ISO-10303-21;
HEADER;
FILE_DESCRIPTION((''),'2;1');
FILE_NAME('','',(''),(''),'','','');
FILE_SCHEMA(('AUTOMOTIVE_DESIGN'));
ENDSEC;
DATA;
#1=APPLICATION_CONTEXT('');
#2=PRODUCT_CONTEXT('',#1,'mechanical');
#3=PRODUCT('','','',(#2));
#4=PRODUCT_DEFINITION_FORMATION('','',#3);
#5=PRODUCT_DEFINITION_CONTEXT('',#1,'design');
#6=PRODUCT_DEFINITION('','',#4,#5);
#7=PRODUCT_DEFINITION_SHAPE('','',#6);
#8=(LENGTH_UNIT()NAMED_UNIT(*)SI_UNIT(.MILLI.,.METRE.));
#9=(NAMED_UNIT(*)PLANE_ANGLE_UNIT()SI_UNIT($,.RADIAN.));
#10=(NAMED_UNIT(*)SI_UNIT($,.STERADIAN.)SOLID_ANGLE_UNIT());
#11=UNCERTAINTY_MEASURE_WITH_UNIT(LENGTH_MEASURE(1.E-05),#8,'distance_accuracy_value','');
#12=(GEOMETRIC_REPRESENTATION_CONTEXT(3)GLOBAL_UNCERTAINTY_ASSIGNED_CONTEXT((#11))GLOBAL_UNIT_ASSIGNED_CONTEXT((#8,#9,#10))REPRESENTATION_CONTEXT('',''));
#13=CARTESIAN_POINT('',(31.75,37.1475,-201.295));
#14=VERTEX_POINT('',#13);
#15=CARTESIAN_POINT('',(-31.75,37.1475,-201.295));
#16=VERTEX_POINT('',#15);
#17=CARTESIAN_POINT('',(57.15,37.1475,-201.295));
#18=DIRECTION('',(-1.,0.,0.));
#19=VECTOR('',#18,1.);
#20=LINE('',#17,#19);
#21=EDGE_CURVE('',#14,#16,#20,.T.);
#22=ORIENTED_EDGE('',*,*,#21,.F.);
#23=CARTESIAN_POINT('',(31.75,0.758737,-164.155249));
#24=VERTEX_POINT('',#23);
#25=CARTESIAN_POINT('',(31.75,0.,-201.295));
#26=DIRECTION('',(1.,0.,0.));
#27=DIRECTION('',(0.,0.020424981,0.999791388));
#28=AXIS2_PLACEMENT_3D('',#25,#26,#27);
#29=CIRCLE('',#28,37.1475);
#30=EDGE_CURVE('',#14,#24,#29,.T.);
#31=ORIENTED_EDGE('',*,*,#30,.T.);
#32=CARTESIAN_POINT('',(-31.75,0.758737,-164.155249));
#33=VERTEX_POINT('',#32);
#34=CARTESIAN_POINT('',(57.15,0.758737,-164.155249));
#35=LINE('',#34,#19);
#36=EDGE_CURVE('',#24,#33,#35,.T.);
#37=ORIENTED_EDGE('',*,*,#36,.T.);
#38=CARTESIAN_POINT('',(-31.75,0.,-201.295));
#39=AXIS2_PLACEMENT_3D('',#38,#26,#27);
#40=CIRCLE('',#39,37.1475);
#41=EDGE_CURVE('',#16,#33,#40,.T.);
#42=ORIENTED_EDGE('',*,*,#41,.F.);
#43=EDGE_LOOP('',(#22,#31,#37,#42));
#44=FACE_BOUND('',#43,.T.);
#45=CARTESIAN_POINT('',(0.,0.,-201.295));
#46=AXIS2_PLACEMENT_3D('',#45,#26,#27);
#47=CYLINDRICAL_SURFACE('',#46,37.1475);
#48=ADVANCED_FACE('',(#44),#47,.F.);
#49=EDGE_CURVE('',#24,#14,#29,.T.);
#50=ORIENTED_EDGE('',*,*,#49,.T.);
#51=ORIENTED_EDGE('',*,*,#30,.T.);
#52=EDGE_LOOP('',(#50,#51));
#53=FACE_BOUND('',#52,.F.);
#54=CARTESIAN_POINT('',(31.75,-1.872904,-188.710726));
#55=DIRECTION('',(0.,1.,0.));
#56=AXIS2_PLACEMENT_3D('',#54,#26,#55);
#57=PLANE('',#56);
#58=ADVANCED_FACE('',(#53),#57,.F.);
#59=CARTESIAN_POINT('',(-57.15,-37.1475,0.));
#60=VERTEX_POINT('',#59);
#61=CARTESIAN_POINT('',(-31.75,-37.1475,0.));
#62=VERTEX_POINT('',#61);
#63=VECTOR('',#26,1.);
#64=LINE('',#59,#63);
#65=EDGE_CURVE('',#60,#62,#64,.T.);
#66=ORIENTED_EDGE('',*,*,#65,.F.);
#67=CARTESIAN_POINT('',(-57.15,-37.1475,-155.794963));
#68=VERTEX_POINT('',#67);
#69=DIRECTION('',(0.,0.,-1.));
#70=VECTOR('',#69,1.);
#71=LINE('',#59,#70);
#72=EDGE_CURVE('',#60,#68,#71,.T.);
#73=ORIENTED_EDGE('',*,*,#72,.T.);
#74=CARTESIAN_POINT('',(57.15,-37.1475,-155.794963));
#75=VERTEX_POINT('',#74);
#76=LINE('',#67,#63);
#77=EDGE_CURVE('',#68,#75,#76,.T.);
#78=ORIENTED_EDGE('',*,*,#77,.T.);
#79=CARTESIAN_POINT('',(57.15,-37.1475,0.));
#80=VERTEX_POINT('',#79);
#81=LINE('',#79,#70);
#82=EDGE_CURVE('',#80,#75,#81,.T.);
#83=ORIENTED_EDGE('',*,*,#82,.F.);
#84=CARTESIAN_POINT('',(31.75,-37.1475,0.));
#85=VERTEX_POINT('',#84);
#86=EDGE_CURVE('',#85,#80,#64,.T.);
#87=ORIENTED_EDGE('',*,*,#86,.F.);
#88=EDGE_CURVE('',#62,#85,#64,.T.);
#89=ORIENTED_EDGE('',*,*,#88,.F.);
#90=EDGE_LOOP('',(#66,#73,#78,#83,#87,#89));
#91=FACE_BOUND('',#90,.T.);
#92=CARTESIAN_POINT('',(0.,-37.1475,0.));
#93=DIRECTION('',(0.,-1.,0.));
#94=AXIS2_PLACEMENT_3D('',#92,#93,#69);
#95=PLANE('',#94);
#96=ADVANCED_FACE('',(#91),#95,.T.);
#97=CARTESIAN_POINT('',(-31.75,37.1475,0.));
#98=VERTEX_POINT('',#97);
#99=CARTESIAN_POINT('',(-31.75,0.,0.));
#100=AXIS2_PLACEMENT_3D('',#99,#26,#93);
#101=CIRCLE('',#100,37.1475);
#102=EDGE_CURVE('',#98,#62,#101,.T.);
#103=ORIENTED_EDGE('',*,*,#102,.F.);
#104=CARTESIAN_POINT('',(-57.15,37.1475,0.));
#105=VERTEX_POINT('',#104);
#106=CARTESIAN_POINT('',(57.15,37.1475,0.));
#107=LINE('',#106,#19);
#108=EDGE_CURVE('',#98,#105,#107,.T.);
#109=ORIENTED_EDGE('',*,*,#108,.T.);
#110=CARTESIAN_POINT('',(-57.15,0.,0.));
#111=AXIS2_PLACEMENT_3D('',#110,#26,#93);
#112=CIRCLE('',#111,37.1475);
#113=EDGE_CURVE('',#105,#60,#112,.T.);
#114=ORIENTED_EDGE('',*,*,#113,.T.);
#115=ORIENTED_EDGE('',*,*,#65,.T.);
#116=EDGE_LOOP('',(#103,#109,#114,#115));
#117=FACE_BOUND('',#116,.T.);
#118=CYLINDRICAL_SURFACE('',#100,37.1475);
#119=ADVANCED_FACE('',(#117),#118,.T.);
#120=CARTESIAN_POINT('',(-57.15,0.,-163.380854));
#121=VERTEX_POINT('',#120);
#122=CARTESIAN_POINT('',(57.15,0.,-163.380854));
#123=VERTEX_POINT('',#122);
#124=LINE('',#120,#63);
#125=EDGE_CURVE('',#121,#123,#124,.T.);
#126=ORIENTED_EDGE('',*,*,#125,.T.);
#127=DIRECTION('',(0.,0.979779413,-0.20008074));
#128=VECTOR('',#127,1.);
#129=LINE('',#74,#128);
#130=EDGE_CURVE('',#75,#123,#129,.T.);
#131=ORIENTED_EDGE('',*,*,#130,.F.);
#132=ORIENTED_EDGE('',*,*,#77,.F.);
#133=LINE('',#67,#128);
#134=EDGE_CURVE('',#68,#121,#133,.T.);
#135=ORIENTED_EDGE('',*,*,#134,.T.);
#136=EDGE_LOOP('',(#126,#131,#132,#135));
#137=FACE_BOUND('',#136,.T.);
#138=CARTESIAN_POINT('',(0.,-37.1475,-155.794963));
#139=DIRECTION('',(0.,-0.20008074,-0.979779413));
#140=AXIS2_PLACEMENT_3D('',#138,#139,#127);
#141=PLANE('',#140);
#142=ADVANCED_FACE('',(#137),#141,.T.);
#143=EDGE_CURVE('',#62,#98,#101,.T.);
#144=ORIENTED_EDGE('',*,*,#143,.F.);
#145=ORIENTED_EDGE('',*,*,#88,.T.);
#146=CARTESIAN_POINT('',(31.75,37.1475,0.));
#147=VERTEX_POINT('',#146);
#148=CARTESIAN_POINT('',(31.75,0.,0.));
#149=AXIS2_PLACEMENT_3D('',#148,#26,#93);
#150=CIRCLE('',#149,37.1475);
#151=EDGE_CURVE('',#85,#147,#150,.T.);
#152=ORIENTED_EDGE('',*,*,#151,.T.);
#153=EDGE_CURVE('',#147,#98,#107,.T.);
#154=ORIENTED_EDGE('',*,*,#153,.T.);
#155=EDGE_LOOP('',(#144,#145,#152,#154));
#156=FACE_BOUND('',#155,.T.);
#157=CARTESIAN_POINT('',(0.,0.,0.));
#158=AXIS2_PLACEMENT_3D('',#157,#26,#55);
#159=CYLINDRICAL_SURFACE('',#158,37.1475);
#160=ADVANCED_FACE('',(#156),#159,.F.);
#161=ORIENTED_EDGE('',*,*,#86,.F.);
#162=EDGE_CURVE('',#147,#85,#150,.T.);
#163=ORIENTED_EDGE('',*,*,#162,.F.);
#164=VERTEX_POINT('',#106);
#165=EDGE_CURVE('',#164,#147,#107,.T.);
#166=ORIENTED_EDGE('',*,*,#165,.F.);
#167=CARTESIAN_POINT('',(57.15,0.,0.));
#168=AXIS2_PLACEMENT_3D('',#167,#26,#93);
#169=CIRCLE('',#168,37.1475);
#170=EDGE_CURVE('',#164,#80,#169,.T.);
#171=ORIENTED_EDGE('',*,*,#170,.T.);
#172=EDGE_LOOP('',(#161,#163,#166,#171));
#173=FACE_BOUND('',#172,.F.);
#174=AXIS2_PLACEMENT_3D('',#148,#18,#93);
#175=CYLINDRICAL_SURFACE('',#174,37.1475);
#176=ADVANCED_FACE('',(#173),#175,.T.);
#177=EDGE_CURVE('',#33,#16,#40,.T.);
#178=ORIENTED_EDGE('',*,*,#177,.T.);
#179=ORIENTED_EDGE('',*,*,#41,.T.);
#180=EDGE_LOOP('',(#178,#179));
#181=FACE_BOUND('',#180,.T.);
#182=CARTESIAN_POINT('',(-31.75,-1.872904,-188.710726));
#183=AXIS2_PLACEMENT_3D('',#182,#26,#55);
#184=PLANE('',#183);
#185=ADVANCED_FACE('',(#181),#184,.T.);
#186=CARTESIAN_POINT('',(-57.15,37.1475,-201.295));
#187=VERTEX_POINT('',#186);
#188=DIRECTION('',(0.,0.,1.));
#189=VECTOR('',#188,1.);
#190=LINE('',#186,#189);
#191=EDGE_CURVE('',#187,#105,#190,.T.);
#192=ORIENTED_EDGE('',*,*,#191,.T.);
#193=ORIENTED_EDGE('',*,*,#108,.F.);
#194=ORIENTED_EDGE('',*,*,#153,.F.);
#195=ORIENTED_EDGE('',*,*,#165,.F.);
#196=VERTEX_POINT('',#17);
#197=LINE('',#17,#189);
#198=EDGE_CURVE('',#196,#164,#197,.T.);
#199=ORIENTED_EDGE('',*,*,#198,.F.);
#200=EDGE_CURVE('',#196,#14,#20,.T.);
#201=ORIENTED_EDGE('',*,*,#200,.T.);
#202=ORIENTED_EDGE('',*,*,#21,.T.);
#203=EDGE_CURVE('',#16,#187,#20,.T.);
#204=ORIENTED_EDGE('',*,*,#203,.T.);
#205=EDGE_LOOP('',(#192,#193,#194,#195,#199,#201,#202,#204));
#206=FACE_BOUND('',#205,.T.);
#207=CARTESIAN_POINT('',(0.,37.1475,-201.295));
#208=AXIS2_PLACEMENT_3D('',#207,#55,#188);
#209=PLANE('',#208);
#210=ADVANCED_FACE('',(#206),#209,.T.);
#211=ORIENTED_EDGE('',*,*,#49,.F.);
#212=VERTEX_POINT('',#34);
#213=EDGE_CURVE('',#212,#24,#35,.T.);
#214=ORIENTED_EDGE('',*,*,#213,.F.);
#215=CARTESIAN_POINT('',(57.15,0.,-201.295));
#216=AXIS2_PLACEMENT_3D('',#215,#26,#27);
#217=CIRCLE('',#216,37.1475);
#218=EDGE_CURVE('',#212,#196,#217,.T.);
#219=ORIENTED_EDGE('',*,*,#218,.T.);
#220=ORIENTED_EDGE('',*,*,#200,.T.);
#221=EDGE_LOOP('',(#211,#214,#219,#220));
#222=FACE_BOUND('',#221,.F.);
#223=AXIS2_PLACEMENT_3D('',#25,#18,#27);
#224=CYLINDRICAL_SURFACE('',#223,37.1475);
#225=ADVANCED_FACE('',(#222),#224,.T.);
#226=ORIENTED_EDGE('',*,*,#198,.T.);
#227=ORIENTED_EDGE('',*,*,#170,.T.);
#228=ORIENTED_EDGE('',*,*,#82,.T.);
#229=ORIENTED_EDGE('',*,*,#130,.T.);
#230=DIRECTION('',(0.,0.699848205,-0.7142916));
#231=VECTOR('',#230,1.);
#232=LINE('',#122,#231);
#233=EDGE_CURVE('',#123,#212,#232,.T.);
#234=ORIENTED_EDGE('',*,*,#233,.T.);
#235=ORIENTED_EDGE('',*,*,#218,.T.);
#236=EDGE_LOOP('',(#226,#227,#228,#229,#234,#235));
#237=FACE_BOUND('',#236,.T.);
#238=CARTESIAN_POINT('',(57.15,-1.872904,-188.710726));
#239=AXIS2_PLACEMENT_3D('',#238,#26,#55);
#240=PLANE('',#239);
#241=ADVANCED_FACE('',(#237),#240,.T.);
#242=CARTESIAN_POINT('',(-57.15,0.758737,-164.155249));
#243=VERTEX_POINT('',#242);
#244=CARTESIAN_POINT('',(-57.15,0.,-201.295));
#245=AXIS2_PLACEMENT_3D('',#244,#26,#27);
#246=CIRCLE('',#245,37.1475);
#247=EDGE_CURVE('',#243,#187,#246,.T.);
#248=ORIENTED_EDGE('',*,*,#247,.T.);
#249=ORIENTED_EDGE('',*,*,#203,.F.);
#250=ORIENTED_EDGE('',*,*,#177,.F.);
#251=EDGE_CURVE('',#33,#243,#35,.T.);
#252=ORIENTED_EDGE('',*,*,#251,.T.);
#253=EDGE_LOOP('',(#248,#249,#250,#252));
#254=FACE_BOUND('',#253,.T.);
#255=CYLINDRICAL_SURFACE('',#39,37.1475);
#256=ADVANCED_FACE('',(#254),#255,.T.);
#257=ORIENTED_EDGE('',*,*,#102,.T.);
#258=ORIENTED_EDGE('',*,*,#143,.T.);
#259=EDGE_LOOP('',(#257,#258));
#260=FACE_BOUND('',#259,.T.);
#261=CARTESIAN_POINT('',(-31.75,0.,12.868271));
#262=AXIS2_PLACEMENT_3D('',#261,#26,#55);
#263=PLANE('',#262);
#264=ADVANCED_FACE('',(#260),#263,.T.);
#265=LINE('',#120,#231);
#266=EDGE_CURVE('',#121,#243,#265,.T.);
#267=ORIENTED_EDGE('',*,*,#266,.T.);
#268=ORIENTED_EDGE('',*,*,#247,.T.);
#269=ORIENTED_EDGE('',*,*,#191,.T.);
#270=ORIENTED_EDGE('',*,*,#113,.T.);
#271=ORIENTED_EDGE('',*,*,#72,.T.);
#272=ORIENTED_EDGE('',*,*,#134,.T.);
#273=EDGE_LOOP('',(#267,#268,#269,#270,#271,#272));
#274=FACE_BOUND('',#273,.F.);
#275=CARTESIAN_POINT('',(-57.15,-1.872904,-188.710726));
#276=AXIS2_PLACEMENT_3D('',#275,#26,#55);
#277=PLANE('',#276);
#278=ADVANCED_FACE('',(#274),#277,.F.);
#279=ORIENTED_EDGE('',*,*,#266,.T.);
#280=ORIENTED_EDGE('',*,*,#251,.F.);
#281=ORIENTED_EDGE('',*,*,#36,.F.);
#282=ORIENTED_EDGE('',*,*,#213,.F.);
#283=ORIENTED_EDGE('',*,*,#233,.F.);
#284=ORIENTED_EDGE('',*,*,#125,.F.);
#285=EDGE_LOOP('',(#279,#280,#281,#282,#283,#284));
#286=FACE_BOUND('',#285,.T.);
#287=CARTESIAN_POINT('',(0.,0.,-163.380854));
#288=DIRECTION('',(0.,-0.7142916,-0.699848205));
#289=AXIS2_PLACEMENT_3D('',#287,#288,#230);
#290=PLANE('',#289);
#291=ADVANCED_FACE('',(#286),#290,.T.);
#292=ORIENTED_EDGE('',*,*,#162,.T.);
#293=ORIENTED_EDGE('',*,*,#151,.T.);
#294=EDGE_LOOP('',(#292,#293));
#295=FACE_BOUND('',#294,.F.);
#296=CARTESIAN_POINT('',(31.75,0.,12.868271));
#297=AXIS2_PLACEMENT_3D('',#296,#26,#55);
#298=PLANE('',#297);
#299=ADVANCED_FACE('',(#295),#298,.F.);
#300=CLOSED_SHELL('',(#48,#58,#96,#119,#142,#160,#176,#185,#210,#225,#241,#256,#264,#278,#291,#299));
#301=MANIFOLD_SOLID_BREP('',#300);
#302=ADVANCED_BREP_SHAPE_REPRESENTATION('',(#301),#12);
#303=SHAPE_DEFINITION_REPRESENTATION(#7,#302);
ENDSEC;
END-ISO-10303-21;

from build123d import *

# Parameters (mm, degrees)
F1_DEPTH = 57.15
F2_START = 31.75
F2_DEPTH = 25.4
F3_START = -31.75
F3_DEPTH = 25.4
F4_START = 31.75
F4_DEPTH = 25.4
F5_START = -31.75
F5_DEPTH = 25.4


with BuildPart() as f1:
    # F0 (on Right) → F1 (new body, symmetric)
    with BuildSketch(Plane.YZ):
        with BuildLine():
            Line((37.1475, -74.295), (37.1475, 0))
            ThreePointArc((37.1475, 0), (0, -37.1475), (-37.1475, 0))
            Line((-37.1475, 0), (-37.1475, -74.295))
            Line((-37.1475, -74.295), (37.1475, -74.295))
        make_face()
        with BuildLine():
            Line((37.1475, -201.295), (37.1475, -74.295))
            Line((37.1475, -74.295), (-37.1475, -74.295))
            Line((-37.1475, -74.295), (-37.1475, -155.7949632406))
            Line((-37.1475, -155.7949632406), (0, -163.3808536928))
            Line((0, -163.3808536928), (0.7587369735, -164.1552494024))
            ThreePointArc((0.7587369735, -164.1552494024), (26.5341472255, -175.2973888162), (37.1475, -201.295))
        make_face()
    extrude(amount=F1_DEPTH, both=True)

    # F0 (on Right) → F2 (join)
    with BuildSketch(Plane.YZ.offset(F2_START)):
        with BuildLine():
            Line((-37.1475, 0), (37.1475, 0))
            ThreePointArc((37.1475, 0), (0, 37.1475), (-37.1475, 0))
        make_face()
        with BuildLine():
            ThreePointArc((-37.1475, 0), (0, -37.1475), (37.1475, 0))
            Line((37.1475, 0), (-37.1475, 0))
        make_face()
    extrude(amount=F2_DEPTH)

    # F0 (on Right) → F3 (join)
    with BuildSketch(Plane.YZ.offset(F3_START)):
        with BuildLine():
            Line((-37.1475, 0), (37.1475, 0))
            ThreePointArc((37.1475, 0), (0, 37.1475), (-37.1475, 0))
        make_face()
        with BuildLine():
            ThreePointArc((-37.1475, 0), (0, -37.1475), (37.1475, 0))
            Line((37.1475, 0), (-37.1475, 0))
        make_face()
    extrude(amount=-F3_DEPTH)

    # F0 (on Right) → F4 (join)
    with BuildSketch(Plane.YZ.offset(F4_START)):
        with BuildLine():
            Line((-37.1475, -201.295), (37.1475, -201.295))
            Line((37.1475, -201.295), (0.7587369735, -164.1552494024))
            ThreePointArc((0.7587369735, -164.1552494024), (-25.9976111838, -174.7608527745), (-37.1475, -201.295))
        make_face()
        with BuildLine():
            ThreePointArc((-37.1475, -201.295), (0, -238.4425), (37.1475, -201.295))
            Line((37.1475, -201.295), (-37.1475, -201.295))
        make_face()
        with BuildLine():
            Line((0.7587369735, -164.1552494024), (37.1475, -201.295))
            ThreePointArc((37.1475, -201.295), (26.5341472255, -175.2973888162), (0.7587369735, -164.1552494024))
        make_face()
    extrude(amount=F4_DEPTH)

    # F0 (on Right) → F5 (join)
    with BuildSketch(Plane.YZ.offset(F5_START)):
        with BuildLine():
            Line((-37.1475, -201.295), (37.1475, -201.295))
            Line((37.1475, -201.295), (0.7587369735, -164.1552494024))
            ThreePointArc((0.7587369735, -164.1552494024), (-25.9976111838, -174.7608527745), (-37.1475, -201.295))
        make_face()
        with BuildLine():
            ThreePointArc((-37.1475, -201.295), (0, -238.4425), (37.1475, -201.295))
            Line((37.1475, -201.295), (-37.1475, -201.295))
        make_face()
        with BuildLine():
            Line((0.7587369735, -164.1552494024), (37.1475, -201.295))
            ThreePointArc((37.1475, -201.295), (26.5341472255, -175.2973888162), (0.7587369735, -164.1552494024))
        make_face()
    extrude(amount=-F5_DEPTH)


solid = f1.part
